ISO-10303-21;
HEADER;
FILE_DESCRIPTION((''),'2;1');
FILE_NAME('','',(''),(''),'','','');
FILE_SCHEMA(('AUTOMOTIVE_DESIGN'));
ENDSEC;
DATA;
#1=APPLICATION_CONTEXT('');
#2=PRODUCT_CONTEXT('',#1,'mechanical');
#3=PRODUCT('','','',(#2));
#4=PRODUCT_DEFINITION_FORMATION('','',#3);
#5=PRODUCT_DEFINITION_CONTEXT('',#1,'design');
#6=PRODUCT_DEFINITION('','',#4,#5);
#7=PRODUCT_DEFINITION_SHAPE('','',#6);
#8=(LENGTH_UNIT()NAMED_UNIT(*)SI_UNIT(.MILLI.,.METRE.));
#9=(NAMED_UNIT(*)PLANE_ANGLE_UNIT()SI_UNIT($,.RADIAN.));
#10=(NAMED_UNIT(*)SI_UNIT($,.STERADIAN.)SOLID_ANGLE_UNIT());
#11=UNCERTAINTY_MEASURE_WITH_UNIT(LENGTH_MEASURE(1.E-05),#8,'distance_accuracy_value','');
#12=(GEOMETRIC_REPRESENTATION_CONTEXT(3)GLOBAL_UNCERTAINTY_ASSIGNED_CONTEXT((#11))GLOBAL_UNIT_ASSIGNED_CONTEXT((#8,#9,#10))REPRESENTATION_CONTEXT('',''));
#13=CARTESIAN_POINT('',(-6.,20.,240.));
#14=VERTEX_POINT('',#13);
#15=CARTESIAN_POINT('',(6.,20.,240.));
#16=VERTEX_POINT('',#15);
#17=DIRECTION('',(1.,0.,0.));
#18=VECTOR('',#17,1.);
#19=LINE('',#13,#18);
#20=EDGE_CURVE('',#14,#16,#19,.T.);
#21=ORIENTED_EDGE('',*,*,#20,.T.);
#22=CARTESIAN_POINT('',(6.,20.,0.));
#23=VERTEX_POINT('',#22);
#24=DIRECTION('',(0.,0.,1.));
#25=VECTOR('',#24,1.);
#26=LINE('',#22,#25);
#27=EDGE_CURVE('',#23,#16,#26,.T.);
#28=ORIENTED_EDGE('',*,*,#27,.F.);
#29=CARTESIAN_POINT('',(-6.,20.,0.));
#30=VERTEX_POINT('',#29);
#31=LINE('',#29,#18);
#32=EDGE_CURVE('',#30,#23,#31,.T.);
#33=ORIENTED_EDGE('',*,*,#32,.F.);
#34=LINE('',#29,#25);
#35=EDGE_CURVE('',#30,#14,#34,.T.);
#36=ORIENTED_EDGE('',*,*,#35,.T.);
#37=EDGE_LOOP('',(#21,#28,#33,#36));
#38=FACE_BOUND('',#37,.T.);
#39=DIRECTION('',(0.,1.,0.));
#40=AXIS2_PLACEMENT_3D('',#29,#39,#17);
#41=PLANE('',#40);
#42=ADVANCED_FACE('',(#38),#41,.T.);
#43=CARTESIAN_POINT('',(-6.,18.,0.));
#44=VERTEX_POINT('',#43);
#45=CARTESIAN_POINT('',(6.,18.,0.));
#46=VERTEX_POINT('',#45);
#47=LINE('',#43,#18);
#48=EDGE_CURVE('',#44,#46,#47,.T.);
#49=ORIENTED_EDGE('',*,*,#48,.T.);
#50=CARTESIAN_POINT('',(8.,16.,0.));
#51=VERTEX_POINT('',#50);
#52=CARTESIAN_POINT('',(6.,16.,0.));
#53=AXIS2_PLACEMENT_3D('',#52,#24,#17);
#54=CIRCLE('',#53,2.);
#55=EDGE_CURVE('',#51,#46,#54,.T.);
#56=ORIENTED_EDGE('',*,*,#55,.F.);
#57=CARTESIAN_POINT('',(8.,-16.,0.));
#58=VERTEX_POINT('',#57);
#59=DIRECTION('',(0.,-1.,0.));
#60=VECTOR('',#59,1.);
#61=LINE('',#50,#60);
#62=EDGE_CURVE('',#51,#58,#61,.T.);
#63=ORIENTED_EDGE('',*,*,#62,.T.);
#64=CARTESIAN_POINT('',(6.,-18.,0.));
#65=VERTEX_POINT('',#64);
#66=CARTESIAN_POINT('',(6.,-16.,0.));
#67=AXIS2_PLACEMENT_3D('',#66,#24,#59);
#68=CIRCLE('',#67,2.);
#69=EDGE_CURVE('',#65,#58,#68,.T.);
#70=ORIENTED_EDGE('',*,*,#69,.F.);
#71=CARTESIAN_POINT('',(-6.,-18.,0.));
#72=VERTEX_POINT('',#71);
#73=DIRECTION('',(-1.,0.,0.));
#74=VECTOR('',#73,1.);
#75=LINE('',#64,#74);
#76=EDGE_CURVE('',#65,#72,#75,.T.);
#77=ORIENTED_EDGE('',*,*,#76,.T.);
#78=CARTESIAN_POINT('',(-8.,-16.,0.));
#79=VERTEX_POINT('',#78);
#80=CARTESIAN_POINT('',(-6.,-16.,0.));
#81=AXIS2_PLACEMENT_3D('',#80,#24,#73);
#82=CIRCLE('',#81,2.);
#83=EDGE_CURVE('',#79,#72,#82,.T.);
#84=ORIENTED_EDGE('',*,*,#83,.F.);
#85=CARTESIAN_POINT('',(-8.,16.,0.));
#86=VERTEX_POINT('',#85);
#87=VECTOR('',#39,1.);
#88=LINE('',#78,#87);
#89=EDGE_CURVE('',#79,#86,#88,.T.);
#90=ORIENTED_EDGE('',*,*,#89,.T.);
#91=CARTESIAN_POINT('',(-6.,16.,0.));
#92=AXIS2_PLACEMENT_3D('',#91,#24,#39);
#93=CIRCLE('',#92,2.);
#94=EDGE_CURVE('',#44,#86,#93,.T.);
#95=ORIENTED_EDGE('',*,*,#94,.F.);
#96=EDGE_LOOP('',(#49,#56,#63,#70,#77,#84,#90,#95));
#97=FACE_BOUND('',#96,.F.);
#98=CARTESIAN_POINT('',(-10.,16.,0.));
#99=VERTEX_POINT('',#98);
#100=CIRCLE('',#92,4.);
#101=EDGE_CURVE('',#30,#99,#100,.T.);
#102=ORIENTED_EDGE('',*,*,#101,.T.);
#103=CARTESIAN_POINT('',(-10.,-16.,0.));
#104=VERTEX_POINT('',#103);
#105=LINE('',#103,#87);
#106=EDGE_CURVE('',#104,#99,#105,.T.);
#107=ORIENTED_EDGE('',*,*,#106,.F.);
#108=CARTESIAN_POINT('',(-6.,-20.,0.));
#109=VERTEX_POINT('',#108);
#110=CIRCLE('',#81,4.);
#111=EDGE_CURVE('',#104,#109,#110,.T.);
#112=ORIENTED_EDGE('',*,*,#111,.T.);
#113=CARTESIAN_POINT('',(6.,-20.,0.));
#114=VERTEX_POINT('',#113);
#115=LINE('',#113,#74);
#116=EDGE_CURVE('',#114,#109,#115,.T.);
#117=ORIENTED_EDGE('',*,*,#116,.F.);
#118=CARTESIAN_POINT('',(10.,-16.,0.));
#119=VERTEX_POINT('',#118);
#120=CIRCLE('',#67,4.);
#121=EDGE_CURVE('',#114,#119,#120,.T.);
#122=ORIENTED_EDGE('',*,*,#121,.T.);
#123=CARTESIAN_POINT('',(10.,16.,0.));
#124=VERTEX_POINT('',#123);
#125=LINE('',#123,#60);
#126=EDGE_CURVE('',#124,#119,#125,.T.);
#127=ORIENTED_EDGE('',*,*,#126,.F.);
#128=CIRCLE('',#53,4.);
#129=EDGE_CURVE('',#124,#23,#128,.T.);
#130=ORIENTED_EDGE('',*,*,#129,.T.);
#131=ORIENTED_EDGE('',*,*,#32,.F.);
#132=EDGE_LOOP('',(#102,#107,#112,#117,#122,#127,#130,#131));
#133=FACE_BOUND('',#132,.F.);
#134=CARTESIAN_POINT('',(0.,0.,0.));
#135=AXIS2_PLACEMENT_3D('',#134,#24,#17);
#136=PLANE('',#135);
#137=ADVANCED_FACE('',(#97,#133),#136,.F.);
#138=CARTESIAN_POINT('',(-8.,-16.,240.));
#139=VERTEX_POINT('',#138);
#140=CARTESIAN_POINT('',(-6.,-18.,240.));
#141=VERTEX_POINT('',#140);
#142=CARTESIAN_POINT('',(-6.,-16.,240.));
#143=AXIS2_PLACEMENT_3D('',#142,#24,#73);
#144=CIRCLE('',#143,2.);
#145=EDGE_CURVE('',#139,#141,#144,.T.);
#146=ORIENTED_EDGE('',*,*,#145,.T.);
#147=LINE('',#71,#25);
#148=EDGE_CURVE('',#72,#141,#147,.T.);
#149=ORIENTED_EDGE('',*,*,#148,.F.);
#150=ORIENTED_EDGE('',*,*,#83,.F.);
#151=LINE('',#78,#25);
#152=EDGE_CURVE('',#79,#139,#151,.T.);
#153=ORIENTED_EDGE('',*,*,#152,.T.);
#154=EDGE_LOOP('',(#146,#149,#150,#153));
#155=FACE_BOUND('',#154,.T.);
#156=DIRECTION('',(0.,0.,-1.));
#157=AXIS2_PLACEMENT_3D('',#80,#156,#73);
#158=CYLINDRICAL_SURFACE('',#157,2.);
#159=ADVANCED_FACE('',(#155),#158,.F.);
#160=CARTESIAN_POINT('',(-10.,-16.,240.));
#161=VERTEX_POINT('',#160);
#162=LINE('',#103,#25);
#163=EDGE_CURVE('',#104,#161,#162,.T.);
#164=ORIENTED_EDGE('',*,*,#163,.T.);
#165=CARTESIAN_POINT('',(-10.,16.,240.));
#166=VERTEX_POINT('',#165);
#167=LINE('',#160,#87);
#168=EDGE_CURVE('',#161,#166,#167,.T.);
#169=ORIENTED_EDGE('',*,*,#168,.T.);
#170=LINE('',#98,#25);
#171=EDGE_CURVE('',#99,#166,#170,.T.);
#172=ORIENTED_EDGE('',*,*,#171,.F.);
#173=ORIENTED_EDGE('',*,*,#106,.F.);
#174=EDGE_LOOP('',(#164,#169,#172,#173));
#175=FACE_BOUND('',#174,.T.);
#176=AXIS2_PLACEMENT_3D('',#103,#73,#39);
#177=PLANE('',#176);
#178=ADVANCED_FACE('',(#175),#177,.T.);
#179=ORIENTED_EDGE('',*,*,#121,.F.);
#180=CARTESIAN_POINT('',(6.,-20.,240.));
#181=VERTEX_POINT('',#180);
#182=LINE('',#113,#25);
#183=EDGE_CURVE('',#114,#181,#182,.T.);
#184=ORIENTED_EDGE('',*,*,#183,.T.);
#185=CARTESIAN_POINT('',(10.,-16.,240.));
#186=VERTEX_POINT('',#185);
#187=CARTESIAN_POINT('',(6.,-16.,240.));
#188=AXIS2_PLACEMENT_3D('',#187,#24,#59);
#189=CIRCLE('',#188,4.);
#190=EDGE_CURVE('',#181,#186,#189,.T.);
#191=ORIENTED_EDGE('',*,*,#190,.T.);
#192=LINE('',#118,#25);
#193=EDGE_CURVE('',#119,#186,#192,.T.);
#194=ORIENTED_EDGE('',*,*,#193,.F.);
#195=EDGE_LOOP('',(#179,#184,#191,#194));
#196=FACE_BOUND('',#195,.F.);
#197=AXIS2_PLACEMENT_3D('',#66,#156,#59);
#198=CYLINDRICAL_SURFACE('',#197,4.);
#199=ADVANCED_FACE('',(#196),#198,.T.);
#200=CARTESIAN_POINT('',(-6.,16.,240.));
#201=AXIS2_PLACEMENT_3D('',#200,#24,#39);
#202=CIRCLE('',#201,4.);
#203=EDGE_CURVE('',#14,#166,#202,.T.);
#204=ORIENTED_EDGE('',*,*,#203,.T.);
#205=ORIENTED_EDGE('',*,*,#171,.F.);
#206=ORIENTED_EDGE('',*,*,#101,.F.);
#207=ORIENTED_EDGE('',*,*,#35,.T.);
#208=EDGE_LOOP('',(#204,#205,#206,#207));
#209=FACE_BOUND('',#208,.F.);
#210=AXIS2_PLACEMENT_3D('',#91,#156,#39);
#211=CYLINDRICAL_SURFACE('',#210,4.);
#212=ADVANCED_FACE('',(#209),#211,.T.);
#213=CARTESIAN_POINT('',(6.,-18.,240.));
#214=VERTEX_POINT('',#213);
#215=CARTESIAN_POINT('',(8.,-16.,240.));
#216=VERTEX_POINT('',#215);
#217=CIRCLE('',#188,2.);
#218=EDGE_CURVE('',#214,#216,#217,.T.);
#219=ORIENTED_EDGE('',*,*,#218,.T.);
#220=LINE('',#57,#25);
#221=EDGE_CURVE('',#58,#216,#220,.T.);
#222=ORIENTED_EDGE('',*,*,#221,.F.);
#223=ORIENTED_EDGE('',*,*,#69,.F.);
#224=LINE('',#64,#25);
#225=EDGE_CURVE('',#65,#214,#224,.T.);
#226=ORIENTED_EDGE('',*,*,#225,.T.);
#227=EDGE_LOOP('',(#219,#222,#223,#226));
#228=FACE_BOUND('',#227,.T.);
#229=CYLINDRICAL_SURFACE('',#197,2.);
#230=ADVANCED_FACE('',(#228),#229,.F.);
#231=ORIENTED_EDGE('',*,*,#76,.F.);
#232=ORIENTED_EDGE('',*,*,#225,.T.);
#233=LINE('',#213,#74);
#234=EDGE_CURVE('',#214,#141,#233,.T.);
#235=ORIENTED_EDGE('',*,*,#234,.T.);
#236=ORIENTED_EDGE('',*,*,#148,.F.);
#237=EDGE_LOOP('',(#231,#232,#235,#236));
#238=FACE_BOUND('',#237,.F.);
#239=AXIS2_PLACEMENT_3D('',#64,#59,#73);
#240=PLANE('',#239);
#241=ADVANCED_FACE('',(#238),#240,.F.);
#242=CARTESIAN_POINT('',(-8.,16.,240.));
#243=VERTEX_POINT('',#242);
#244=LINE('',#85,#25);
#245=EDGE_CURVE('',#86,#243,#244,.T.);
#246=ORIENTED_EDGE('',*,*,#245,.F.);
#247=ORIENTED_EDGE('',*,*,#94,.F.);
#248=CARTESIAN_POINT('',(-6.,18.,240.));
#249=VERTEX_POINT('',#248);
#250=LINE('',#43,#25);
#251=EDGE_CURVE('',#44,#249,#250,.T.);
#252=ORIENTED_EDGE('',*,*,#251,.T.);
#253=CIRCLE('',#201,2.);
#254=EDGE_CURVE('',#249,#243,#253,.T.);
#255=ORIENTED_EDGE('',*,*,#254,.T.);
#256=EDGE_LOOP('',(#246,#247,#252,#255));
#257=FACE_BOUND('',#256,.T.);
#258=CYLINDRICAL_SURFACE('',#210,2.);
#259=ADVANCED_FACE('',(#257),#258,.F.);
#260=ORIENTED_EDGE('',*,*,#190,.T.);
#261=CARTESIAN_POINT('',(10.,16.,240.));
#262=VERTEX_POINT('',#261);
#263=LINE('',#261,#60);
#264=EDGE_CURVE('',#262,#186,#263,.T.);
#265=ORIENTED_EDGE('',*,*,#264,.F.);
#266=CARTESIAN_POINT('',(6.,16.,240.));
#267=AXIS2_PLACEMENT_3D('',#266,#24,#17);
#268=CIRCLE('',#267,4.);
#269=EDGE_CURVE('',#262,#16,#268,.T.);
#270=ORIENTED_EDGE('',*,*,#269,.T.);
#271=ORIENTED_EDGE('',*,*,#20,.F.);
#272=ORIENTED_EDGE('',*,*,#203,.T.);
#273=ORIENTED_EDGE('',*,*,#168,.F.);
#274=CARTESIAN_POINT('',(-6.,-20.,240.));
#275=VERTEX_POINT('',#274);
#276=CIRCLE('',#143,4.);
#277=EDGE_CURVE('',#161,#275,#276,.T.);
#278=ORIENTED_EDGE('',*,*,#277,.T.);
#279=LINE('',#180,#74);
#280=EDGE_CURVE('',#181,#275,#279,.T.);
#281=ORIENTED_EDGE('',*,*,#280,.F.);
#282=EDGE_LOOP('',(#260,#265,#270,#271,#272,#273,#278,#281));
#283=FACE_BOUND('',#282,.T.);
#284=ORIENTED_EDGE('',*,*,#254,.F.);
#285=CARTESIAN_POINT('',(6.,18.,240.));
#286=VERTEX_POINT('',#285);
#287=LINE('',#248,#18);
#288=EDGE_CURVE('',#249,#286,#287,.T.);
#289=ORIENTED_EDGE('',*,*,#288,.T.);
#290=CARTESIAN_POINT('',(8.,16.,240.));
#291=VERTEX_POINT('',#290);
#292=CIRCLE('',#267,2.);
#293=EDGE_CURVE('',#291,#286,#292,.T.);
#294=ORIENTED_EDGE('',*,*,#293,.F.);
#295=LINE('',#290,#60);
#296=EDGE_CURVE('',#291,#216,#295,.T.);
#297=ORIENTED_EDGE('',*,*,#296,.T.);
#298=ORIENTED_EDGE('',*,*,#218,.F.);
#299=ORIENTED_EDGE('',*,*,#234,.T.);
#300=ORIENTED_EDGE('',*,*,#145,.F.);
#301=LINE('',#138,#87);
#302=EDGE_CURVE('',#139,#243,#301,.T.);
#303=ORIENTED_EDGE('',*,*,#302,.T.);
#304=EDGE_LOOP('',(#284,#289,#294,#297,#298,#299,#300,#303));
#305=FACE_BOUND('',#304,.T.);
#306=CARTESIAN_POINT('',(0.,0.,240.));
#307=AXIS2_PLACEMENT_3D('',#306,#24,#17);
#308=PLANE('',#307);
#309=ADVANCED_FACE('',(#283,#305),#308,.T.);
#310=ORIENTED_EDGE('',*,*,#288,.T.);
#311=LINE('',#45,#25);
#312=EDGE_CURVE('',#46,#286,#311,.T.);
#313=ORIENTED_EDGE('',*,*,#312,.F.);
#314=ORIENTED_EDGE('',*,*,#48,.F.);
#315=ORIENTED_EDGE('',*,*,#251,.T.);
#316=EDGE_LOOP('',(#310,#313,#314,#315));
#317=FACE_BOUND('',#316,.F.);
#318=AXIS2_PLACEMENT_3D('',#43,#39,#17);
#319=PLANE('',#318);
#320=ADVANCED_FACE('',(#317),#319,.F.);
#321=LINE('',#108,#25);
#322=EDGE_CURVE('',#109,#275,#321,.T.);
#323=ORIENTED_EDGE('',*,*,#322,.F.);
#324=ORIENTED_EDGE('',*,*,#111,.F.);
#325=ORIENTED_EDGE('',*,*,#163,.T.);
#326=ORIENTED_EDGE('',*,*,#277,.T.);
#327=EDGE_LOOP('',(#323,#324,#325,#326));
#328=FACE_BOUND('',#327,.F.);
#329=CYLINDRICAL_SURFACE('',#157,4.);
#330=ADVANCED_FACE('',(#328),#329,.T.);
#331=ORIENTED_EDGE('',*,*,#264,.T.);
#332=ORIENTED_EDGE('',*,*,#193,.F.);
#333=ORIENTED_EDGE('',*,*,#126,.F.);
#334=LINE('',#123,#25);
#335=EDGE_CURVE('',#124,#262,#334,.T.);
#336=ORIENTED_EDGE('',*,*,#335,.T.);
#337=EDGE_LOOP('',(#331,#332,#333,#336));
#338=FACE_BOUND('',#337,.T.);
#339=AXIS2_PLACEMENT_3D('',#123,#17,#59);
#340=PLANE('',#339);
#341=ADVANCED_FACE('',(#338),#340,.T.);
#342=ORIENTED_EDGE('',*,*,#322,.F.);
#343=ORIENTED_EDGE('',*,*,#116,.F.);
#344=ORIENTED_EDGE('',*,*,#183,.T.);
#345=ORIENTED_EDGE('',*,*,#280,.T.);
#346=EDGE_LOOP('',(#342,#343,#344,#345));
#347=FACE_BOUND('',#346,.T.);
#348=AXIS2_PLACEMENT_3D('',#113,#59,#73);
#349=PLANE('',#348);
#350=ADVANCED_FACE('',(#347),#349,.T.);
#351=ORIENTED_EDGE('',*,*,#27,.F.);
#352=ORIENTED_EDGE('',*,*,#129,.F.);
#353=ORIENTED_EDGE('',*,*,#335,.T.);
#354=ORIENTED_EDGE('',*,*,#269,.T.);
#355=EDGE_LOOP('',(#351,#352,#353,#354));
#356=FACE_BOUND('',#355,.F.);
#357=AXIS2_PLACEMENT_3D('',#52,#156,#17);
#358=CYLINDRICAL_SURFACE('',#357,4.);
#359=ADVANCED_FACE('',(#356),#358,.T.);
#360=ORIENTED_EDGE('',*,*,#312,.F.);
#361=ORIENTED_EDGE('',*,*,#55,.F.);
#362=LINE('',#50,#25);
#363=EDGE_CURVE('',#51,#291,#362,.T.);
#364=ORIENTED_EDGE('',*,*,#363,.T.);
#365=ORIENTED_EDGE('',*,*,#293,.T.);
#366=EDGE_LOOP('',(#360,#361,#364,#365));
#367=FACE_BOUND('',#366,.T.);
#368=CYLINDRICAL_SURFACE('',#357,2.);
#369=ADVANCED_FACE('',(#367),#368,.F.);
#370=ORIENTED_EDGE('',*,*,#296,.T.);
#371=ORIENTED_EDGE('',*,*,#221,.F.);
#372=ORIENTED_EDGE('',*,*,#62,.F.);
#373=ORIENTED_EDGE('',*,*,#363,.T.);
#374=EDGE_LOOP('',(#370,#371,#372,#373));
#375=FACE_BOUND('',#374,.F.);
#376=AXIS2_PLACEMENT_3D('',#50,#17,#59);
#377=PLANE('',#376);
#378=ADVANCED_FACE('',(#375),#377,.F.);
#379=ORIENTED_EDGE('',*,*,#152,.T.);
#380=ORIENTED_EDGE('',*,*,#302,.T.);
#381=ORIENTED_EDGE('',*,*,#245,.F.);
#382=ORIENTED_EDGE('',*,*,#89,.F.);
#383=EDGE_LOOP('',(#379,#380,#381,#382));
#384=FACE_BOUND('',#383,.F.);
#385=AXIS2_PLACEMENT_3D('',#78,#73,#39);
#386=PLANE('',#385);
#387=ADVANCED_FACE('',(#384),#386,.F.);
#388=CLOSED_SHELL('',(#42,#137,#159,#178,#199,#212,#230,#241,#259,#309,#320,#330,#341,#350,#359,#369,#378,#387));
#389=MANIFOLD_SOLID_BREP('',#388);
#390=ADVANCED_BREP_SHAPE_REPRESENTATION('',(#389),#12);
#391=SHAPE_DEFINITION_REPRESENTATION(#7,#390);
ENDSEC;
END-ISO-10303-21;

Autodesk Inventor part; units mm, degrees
ref_plane "YZ Plane" through (0, 0, 0) normal (1, 0, 0) x (0, 1, 0)
ref_plane "Начальная плоскость" through (0, 0, 0) normal (0, 0, 1) x (1, 0, 0)
ref_plane "Конечная плоскость" through (0, 0, 240) normal (0, 0, 1) x (1, 0, 0)
sketch "Эскиз" plane through (0, 0, 0) normal (0, 0, 1) x (1, 0, 0)
  line L0 (-10, -16) -> (-10, 16)
  line L1 (-6, 20) -> (6, 20)
  line L2 (10, 16) -> (10, -16)
  line L3 (6, -20) -> (-6, -20)
  arc A0 (-10, -16) -> (-6, -20) centre (-6, -16) ccw
  arc A1 (-6, 20) -> (-10, 16) centre (-6, 16) ccw
  arc A2 (10, 16) -> (6, 20) centre (6, 16) ccw
  arc A3 (6, -20) -> (10, -16) centre (6, -16) ccw
  arc A4 (-6, 18) -> (-8, 16) centre (-6, 16) ccw
  line L4 (-6, 18) -> (6, 18)
  arc A5 (8, 16) -> (6, 18) centre (6, 16) ccw
  line L5 (8, 16) -> (8, -16)
  arc A6 (6, -18) -> (8, -16) centre (6, -16) ccw
  line L6 (6, -18) -> (-6, -18)
  arc A7 (-8, -16) -> (-6, -18) centre (-6, -16) ccw
  line L7 (-8, -16) -> (-8, 16)
  line L8 (0, 29.1598) -> (0, -29.1598) construction
  line L9 (-15.1598, 0) -> (15.1598, 0) construction
  dimension "d7" = 4
  dimension "d10" = 40
  dimension "d11" = 20
  dimension "d12" = 2
  dimension "d15" = 20
  dimension "d16" = 10
extrude "Тело" add sketch "Эскиз" along normal up to surface (240 mm away) from surface at 0
sketch "Sketch3" plane through (0, 0, 0) normal (0, 0, 1) x (1, 0, 0)
  line L0 (0, 0) -> (10, 0)
ref_plane "Work Plane3" through (0, 0, 0) normal (0, -1, 0) x (1, 0, 0)
sketch "Sketch4" plane through (0, 0, 0) normal (0, -1, 0) x (1, 0, 0)
  line L0 (-2, 0) -> (12, 0) projected
  line L1 (-2, 240) -> (12, 240) projected
  dimension "d18" = 240
equation "\"d7\" = G_IR"
equation "\"d10\" = G_H"
equation "\"d11\" = G_W"
equation "\"d12\" = G_T"
equation "\"d15\" = 0.5 * d10"
equation "\"d16\" = 0.5 * d11"
equation "\"d3\" = G_L"
equation "\"G_W\" = 20"
equation "\"G_H\" = 40"
equation "\"G_T\" = 2"
equation "\"G_IR\" = 4"
equation "\"G_L\" = d18"
equation "\"G_OFFSET_START\" = 0"
equation "\"G_OFFSET_END\" = 0"
properties part number "DIN EN 10219-2 - 40 x 20 x 2  - 240" material "Нержавеющая сталь"
